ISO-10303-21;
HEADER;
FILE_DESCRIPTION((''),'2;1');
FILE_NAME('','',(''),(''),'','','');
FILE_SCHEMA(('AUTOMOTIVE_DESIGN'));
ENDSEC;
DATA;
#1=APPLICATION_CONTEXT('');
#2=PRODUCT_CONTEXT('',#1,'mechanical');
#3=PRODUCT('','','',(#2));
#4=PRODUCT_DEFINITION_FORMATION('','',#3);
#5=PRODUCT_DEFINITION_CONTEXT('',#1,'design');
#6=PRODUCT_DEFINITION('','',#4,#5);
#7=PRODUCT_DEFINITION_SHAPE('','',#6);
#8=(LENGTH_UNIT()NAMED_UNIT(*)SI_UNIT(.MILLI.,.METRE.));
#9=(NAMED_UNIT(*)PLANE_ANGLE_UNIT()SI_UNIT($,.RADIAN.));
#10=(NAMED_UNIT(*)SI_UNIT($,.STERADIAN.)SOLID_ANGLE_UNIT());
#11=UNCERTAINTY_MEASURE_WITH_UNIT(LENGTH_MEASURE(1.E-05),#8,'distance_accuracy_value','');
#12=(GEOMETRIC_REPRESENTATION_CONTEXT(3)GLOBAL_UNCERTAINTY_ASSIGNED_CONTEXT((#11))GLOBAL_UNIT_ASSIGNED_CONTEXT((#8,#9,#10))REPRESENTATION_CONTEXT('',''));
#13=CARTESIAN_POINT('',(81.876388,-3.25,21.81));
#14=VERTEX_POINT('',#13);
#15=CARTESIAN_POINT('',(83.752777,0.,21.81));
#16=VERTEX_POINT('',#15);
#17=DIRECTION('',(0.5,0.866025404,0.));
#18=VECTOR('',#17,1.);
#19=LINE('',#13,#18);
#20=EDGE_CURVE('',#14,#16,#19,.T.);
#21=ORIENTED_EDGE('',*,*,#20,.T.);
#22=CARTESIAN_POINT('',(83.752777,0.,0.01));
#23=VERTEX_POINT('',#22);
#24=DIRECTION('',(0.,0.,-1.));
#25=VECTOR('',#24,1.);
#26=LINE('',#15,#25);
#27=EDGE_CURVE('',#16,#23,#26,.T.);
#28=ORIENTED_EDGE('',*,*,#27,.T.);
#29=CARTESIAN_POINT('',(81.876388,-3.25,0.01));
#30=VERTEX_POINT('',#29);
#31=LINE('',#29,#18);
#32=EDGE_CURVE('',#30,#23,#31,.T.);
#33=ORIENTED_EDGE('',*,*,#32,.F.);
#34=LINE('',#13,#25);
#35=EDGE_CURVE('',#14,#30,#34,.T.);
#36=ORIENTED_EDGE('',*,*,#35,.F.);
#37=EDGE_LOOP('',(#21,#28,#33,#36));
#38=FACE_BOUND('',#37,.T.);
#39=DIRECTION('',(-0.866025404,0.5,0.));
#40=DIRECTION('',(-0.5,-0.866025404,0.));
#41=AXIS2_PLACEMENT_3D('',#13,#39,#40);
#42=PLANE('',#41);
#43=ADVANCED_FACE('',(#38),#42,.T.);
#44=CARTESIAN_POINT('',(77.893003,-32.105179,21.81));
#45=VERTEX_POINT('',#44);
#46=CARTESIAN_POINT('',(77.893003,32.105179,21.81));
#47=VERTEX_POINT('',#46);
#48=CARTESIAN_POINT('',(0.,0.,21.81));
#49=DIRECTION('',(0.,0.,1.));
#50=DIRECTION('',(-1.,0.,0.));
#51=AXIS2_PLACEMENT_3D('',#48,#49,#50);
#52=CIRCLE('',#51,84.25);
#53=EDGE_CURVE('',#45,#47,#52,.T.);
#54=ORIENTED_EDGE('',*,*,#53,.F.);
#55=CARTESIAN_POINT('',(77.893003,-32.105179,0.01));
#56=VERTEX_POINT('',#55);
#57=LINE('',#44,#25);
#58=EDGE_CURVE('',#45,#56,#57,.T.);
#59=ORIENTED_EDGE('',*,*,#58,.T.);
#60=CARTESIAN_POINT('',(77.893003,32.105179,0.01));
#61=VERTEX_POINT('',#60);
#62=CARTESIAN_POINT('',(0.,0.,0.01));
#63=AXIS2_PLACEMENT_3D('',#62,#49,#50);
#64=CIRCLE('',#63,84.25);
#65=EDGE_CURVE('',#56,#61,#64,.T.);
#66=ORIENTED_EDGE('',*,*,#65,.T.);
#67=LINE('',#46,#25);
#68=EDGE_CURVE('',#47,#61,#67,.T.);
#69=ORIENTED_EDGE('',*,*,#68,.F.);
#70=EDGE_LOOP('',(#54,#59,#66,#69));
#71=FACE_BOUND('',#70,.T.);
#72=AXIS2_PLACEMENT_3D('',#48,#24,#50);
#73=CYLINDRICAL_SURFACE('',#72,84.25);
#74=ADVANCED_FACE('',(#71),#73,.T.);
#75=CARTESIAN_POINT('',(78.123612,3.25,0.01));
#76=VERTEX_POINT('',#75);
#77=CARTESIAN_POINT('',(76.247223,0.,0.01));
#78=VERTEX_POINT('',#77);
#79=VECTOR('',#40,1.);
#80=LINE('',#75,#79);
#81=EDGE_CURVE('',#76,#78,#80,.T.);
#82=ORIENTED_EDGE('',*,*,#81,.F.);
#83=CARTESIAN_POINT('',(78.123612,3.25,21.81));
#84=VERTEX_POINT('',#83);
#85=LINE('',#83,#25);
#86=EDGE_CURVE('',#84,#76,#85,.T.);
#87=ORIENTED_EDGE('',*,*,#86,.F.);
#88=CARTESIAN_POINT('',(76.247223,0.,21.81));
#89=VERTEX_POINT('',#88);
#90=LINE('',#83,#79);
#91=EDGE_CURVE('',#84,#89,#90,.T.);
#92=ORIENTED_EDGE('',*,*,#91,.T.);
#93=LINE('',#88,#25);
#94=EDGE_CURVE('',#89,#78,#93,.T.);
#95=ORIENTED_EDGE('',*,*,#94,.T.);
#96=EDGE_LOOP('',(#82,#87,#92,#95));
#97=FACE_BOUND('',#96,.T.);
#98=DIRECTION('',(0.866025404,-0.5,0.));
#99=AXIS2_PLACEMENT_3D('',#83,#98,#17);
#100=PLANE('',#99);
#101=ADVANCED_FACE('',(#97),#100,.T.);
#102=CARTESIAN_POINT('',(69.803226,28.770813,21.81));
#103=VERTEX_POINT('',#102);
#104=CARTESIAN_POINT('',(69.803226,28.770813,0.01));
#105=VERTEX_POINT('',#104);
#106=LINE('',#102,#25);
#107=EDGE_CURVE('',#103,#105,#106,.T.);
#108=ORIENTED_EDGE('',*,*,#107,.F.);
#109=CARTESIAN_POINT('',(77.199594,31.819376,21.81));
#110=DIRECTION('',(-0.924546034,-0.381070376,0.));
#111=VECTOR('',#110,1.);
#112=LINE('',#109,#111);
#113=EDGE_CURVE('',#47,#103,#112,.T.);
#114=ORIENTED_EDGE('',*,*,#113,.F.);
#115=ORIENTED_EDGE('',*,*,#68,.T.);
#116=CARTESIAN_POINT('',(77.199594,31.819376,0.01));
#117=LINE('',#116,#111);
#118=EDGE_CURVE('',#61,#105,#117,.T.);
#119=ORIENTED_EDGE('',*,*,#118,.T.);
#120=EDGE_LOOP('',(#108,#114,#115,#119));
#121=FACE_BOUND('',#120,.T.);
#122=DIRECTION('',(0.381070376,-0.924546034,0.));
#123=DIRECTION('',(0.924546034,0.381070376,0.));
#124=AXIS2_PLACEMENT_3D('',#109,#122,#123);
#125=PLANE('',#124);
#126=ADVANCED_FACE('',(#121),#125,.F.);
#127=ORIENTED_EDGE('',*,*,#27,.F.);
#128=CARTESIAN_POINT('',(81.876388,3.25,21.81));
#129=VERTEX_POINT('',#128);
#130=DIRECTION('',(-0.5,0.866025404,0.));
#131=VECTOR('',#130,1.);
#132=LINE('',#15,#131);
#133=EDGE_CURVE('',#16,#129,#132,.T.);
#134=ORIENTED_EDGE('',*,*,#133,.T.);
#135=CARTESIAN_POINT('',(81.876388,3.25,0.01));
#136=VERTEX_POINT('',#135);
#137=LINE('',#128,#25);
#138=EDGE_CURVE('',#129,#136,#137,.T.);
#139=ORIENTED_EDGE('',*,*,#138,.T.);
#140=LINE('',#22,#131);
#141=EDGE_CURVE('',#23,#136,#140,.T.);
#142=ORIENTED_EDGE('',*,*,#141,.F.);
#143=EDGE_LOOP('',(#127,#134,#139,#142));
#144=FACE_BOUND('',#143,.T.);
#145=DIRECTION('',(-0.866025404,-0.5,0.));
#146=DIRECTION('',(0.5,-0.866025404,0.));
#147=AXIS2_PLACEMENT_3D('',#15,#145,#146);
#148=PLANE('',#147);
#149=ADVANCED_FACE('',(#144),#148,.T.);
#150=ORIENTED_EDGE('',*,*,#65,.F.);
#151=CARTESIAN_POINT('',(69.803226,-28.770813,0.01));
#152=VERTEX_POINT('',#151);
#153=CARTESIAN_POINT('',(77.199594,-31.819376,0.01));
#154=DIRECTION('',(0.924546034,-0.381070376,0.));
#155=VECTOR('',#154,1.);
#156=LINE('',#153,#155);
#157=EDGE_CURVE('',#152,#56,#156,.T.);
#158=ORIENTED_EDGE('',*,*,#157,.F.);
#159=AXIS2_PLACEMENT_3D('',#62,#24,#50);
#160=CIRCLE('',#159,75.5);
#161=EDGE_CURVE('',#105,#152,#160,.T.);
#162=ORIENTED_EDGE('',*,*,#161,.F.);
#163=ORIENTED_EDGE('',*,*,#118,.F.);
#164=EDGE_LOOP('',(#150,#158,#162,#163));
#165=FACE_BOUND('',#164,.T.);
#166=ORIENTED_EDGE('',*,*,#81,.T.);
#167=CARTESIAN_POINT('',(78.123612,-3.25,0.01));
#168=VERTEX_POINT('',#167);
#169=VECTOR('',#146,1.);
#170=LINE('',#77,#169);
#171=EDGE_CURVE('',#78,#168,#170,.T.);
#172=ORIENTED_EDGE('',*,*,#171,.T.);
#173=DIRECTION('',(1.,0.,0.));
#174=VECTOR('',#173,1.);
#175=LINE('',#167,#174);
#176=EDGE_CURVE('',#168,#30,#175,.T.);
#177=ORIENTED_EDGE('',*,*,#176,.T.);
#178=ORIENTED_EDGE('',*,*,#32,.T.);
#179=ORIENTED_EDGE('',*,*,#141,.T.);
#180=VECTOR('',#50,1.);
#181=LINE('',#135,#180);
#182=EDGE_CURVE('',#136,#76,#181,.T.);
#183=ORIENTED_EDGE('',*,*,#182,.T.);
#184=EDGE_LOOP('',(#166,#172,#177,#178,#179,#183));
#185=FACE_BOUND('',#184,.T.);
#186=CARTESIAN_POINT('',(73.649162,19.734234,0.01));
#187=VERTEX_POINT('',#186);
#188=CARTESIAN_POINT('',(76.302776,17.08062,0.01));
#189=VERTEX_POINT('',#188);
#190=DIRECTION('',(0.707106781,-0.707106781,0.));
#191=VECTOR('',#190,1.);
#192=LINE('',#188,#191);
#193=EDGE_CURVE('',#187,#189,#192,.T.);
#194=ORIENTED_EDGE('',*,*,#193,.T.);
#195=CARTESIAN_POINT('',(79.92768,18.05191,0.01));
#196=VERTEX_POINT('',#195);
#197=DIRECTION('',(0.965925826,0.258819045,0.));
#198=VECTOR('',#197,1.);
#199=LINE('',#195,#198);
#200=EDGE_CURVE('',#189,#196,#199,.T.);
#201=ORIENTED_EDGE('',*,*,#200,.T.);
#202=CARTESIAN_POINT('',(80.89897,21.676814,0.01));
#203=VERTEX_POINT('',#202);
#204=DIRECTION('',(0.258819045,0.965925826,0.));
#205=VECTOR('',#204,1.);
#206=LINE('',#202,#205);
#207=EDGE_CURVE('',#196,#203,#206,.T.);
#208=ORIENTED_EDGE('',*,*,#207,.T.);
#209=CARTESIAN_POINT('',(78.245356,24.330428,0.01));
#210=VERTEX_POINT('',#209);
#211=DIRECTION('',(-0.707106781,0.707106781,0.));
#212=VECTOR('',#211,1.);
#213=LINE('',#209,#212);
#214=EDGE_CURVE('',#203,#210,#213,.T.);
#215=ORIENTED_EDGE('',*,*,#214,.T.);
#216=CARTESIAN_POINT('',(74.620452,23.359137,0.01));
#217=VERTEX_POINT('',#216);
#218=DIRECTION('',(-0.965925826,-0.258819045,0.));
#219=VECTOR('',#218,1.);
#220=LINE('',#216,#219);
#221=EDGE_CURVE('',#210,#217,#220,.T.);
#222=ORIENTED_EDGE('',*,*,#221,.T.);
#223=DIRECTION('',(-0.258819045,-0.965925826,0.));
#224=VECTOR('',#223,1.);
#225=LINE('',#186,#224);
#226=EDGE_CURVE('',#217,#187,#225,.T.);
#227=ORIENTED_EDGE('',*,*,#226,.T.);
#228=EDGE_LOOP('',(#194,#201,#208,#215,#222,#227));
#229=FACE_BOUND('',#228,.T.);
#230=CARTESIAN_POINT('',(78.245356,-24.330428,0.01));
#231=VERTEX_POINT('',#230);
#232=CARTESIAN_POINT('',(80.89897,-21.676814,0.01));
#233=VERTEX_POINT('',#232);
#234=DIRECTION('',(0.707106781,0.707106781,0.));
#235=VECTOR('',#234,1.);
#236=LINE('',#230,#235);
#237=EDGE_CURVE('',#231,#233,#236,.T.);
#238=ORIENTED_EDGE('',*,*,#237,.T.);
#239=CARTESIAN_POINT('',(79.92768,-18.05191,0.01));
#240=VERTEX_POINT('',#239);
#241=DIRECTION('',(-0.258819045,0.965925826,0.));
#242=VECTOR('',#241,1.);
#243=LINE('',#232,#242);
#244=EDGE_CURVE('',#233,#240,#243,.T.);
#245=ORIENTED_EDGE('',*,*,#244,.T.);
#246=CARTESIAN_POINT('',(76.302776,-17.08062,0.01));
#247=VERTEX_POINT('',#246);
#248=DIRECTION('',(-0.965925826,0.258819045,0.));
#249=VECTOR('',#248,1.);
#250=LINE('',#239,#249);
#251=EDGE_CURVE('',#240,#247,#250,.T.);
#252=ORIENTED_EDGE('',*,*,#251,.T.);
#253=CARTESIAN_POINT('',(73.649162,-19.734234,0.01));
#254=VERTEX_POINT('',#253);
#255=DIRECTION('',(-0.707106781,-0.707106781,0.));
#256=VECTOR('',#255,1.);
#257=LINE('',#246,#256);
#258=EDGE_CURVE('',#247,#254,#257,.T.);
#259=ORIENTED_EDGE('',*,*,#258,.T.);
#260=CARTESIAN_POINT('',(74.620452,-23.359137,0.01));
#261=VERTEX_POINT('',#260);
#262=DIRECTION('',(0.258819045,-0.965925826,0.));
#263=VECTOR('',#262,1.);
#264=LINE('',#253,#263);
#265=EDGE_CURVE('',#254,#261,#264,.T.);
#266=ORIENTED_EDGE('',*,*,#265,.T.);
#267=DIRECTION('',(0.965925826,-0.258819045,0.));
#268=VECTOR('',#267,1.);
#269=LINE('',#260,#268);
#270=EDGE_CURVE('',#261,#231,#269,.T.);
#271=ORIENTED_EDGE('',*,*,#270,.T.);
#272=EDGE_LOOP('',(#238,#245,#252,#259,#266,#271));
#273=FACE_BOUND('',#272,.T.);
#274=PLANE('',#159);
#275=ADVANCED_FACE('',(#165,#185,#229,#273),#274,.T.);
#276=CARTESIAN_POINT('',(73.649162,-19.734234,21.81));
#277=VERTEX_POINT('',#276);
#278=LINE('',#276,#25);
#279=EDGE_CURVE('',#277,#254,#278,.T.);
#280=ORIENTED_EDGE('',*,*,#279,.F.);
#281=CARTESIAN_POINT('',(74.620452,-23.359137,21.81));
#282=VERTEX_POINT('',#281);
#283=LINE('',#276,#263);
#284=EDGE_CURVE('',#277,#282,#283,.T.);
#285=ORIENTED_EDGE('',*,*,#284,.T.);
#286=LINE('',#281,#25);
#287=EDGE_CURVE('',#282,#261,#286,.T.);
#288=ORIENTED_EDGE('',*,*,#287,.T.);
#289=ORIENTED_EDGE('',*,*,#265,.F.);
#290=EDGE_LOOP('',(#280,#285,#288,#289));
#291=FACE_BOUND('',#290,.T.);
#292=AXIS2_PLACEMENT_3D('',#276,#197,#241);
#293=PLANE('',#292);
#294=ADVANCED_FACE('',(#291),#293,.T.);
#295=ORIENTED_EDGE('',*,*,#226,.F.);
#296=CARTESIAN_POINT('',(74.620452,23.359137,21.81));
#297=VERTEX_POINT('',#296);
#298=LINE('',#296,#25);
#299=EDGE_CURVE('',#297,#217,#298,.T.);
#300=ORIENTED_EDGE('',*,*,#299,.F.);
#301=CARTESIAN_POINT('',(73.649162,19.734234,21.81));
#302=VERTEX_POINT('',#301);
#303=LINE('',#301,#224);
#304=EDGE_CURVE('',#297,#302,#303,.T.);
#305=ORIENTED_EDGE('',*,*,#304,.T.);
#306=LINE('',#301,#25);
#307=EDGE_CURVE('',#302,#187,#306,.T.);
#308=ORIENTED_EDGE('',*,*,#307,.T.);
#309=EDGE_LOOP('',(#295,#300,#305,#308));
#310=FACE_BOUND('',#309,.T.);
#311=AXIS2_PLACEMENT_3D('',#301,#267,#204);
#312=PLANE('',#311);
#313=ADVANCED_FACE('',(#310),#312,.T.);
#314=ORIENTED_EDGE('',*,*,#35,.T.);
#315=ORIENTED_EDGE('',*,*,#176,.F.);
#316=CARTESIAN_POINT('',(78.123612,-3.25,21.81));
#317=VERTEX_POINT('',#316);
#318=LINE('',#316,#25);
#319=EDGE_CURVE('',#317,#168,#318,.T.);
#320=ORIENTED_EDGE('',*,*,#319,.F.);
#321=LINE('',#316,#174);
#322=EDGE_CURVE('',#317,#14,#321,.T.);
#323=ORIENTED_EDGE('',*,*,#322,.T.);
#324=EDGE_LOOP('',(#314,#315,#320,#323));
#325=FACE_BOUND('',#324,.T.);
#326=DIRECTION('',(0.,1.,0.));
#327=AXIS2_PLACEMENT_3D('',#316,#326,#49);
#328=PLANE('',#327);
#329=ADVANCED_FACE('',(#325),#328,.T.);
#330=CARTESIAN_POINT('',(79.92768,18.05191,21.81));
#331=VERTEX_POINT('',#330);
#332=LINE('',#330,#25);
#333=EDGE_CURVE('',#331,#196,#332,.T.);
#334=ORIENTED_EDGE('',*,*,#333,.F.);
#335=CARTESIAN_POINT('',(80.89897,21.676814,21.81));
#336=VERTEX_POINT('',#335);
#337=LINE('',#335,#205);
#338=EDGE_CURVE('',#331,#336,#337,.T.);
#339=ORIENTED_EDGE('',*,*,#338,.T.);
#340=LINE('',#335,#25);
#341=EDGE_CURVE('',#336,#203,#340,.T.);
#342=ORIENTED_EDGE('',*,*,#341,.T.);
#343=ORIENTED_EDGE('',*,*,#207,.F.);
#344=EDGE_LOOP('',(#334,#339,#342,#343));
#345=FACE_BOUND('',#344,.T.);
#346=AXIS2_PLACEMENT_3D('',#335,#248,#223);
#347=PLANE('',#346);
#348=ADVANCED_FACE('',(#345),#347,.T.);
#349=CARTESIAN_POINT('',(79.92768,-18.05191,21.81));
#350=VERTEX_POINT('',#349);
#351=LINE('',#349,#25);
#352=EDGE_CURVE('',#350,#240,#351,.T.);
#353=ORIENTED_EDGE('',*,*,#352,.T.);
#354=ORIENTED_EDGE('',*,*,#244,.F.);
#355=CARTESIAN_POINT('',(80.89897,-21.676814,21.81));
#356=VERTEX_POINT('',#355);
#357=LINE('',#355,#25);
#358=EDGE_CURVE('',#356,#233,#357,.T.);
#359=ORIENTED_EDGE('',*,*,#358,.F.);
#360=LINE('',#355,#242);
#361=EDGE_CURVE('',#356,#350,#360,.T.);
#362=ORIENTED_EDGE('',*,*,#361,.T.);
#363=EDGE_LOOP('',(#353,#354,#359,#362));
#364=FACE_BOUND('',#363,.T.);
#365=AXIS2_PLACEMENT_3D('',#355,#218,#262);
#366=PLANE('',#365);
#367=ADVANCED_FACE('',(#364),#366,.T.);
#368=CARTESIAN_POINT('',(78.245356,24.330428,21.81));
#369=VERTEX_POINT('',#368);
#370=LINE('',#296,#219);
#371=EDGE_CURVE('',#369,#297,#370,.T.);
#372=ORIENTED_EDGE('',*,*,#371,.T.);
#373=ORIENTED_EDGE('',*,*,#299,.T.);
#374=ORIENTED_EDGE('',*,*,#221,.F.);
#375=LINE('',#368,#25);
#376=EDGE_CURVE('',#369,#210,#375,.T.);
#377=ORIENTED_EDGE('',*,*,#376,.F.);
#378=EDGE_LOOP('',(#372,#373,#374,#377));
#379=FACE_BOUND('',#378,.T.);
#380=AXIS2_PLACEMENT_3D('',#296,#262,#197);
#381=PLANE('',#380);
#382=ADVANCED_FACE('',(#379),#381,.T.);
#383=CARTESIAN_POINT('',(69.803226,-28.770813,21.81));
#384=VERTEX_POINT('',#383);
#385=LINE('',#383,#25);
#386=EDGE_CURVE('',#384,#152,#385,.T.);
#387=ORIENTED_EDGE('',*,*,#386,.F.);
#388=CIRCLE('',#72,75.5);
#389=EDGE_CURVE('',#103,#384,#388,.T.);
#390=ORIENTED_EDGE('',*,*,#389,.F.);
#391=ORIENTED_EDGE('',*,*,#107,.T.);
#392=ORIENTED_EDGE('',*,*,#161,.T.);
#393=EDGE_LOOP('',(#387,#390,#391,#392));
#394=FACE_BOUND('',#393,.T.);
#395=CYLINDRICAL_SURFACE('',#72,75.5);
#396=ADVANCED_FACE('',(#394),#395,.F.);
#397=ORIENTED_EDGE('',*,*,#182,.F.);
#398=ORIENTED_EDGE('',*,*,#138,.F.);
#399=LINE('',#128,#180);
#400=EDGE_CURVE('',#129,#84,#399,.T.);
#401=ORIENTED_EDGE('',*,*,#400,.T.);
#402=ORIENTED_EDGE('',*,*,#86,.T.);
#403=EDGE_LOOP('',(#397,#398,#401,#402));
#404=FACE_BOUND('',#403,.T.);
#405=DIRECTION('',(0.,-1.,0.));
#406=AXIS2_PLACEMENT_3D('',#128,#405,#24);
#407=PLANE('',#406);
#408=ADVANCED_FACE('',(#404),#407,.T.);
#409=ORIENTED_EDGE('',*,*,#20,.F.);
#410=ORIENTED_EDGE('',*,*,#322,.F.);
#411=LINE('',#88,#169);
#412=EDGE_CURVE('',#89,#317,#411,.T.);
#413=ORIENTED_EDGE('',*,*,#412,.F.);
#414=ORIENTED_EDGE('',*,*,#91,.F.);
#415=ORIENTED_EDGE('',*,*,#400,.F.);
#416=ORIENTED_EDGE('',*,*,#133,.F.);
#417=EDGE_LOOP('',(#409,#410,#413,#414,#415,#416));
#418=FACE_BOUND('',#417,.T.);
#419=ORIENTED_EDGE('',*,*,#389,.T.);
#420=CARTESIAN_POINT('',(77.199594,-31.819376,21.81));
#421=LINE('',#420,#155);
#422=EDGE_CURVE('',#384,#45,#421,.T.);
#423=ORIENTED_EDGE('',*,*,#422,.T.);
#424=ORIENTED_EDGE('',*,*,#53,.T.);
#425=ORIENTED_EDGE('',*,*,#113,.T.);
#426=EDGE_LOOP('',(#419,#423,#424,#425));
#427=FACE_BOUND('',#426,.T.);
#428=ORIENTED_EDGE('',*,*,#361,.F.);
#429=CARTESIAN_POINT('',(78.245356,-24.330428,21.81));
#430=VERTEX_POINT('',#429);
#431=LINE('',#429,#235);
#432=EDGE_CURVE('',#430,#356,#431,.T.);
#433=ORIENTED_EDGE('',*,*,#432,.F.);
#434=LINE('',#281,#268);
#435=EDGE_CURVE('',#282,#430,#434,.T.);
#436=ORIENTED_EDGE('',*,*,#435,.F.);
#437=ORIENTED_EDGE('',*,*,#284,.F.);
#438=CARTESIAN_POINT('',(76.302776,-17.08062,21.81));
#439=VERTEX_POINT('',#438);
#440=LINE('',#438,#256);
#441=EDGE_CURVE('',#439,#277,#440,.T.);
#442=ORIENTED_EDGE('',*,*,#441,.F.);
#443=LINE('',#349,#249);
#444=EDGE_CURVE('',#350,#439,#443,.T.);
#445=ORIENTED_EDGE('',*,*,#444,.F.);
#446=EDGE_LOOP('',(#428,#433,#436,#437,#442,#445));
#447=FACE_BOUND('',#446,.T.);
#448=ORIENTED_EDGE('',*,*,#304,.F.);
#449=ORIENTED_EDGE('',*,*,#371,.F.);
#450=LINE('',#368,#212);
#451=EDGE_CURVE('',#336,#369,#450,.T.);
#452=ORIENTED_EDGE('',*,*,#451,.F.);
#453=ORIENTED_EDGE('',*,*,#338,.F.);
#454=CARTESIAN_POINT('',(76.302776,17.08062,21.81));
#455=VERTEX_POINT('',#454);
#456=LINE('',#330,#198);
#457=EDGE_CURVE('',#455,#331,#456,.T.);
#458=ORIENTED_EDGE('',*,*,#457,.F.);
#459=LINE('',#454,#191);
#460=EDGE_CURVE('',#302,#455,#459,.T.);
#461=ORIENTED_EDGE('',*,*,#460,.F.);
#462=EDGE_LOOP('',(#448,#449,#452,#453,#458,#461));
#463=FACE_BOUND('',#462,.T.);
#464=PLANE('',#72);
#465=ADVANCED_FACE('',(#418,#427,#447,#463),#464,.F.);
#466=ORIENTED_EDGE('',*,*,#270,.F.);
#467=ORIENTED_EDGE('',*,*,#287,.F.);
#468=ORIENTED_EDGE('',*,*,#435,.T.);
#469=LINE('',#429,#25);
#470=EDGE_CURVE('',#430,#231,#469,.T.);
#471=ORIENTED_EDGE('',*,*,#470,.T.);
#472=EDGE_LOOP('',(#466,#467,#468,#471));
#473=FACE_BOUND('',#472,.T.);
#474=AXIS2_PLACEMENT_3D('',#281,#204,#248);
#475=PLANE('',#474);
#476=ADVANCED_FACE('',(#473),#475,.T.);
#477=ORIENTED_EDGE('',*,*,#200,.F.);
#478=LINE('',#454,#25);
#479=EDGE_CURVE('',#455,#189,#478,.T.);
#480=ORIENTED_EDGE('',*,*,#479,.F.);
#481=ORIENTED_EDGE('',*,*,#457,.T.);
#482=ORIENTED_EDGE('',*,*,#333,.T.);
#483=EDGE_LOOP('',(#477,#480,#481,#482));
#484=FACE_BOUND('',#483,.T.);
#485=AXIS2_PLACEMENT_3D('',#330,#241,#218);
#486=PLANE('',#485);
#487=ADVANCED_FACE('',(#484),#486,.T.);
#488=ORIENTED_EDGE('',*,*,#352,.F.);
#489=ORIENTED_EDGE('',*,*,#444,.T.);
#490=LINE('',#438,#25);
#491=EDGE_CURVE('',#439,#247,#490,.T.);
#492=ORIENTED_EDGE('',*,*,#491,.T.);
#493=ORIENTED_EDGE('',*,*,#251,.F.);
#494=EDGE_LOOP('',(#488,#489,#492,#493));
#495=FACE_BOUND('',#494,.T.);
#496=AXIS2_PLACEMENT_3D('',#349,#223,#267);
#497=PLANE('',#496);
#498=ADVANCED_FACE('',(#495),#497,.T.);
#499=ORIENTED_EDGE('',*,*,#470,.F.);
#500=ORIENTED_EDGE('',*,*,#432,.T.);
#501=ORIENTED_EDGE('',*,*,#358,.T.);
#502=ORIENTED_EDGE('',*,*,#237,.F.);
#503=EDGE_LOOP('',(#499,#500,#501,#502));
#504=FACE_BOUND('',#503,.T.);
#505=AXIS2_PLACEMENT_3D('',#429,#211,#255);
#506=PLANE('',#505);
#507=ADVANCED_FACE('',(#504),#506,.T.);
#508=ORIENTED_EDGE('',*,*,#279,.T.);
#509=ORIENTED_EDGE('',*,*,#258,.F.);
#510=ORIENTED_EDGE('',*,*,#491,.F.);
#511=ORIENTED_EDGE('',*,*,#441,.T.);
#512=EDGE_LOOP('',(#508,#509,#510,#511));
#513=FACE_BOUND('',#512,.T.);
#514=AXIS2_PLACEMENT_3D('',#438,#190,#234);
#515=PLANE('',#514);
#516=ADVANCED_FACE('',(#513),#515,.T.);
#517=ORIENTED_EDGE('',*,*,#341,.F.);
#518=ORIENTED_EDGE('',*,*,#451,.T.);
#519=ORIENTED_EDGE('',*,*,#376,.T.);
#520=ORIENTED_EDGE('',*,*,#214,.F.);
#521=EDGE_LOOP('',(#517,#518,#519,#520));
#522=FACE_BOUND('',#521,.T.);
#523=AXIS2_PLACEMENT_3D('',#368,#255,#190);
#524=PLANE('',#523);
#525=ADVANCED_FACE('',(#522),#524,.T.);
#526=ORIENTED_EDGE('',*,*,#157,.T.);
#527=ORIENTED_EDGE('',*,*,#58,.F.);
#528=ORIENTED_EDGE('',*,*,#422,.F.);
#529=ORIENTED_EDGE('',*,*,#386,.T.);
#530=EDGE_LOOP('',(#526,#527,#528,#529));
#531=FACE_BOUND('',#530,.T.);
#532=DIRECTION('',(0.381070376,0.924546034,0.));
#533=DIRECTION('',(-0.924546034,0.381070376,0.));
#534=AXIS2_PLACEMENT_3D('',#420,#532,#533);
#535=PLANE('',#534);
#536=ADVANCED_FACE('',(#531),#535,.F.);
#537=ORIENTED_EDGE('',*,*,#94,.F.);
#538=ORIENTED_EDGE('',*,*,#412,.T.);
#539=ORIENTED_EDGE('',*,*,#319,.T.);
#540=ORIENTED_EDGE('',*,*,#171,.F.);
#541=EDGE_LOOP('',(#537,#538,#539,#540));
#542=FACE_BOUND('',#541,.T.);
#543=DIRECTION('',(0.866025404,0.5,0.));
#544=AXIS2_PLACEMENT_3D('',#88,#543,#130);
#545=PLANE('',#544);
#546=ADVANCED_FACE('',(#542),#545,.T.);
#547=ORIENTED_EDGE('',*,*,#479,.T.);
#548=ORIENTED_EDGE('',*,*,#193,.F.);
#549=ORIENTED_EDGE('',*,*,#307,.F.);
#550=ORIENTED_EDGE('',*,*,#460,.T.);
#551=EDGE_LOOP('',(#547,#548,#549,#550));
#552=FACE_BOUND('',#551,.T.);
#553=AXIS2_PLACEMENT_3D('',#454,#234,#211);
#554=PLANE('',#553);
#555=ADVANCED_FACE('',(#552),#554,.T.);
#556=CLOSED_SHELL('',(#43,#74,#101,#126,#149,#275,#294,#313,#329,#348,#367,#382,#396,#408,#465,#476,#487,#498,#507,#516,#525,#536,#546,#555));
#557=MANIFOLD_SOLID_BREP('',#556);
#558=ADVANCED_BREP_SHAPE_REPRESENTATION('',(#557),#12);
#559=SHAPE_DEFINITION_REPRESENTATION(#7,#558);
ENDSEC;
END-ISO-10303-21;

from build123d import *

# Parameters (mm, degrees)
BOSS_EXTRUDE1_START = 0.01
BOSS_EXTRUDE1_DEPTH = 21.8


with BuildPart() as part:
    # Sketch1 → Boss-Extrude1 (new body)
    with BuildSketch(Plane.XY.offset(BOSS_EXTRUDE1_START)):
        with BuildLine():
            Line((77.199593807, -31.819376425), (69.803225538, -28.770813414))
            ThreePointArc((69.803225538, -28.770813414), (75.5, 0), (69.803225538, 28.770813414))
            Line((69.803225538, 28.770813414), (77.199593807, 31.819376425))
            Line((77.199593807, 31.819376425), (77.893003332, 32.105179208))
            ThreePointArc((77.893003332, 32.105179208), (84.25, 0), (77.893003332, -32.105179208))
            Line((77.893003332, -32.105179208), (77.199593807, -31.819376425))
        make_face()
        Polygon((76.24722325, 0), (78.123611625, -3.25), (81.876388375, -3.25), (83.75277675, 0), (81.876388375, 3.25), (78.123611625, 3.25), align=None, mode=Mode.SUBTRACT)
        Polygon((79.927679991, 18.05190972), (76.302776008, 17.080619625), (73.64916212, 19.734233513), (74.620452215, 23.359137496), (78.245356198, 24.330427591), (80.898970086, 21.676813703), align=None, mode=Mode.SUBTRACT)
        Polygon((74.620452215, -23.359137496), (78.245356198, -24.330427591), (80.898970086, -21.676813703), (79.927679991, -18.05190972), (76.302776008, -17.080619625), (73.64916212, -19.734233513), align=None, mode=Mode.SUBTRACT)
    extrude(amount=BOSS_EXTRUDE1_DEPTH)


solid = part.part
